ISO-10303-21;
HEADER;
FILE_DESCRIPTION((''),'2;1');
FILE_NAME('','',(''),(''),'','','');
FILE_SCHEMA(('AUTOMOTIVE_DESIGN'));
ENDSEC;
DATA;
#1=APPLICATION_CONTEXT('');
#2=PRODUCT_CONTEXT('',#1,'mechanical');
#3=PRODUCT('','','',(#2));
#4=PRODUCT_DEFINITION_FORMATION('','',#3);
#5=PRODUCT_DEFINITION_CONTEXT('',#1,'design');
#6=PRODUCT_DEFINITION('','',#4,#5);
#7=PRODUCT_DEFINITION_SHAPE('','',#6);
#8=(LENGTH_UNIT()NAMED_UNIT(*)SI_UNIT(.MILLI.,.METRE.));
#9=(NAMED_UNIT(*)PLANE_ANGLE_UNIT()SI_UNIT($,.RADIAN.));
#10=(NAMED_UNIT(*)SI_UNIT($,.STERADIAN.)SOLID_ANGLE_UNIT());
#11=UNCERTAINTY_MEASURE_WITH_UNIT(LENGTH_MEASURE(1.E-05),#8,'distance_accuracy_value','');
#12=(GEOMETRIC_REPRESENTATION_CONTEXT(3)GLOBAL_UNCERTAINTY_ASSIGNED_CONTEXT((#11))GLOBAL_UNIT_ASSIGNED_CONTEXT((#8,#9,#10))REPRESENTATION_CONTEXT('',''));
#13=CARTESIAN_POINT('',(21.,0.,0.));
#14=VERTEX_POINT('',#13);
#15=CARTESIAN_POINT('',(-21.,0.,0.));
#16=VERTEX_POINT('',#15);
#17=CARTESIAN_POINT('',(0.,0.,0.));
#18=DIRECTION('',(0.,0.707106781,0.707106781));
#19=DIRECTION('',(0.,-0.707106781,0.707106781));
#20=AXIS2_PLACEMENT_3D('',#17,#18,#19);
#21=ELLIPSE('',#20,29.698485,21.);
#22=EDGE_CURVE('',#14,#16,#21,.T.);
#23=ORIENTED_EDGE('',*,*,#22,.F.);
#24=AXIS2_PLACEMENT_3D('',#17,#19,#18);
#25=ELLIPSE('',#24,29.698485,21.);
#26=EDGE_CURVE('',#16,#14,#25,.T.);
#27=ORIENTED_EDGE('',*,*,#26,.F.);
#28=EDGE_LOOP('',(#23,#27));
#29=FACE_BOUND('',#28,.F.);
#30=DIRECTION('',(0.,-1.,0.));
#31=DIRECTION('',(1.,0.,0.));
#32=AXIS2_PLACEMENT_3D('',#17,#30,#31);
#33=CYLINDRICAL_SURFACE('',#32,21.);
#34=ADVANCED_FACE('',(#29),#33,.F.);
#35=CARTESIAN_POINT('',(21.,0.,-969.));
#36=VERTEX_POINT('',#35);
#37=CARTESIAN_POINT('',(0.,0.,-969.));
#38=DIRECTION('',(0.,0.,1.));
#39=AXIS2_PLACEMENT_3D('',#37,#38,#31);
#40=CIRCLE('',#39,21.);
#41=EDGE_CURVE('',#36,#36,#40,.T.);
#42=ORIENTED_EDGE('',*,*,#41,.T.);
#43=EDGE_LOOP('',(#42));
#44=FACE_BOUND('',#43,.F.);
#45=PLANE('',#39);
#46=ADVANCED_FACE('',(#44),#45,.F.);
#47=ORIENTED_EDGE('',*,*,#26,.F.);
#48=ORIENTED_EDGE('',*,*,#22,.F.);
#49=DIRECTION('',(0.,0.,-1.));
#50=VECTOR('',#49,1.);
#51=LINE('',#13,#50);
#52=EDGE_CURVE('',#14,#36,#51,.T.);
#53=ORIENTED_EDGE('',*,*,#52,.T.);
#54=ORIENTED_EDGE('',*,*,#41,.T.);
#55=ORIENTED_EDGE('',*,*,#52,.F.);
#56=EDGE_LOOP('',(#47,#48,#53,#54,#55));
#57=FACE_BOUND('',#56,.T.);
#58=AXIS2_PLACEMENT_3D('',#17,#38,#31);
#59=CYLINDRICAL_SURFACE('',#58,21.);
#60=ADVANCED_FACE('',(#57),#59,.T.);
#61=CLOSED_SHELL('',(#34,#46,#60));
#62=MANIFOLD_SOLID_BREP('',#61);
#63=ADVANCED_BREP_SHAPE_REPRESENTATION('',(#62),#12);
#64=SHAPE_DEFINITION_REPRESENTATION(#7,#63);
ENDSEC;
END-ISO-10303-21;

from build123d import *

# Parameters (mm, degrees)
F0_R     = 21
F1_DEPTH = 969
F2_R     = 21
F3_DEPTH = 50


with BuildPart() as f1:
    # F0 (on Top) → F1 (new body)
    with BuildSketch(Plane.XY):
        Circle(F0_R)
    extrude(amount=-F1_DEPTH)

    # F2 (on Front) → F3 (cut, symmetric)
    with BuildSketch(Plane.XZ):
        Circle(F2_R)
    extrude(amount=F3_DEPTH, both=True, mode=Mode.SUBTRACT)


solid = f1.part
